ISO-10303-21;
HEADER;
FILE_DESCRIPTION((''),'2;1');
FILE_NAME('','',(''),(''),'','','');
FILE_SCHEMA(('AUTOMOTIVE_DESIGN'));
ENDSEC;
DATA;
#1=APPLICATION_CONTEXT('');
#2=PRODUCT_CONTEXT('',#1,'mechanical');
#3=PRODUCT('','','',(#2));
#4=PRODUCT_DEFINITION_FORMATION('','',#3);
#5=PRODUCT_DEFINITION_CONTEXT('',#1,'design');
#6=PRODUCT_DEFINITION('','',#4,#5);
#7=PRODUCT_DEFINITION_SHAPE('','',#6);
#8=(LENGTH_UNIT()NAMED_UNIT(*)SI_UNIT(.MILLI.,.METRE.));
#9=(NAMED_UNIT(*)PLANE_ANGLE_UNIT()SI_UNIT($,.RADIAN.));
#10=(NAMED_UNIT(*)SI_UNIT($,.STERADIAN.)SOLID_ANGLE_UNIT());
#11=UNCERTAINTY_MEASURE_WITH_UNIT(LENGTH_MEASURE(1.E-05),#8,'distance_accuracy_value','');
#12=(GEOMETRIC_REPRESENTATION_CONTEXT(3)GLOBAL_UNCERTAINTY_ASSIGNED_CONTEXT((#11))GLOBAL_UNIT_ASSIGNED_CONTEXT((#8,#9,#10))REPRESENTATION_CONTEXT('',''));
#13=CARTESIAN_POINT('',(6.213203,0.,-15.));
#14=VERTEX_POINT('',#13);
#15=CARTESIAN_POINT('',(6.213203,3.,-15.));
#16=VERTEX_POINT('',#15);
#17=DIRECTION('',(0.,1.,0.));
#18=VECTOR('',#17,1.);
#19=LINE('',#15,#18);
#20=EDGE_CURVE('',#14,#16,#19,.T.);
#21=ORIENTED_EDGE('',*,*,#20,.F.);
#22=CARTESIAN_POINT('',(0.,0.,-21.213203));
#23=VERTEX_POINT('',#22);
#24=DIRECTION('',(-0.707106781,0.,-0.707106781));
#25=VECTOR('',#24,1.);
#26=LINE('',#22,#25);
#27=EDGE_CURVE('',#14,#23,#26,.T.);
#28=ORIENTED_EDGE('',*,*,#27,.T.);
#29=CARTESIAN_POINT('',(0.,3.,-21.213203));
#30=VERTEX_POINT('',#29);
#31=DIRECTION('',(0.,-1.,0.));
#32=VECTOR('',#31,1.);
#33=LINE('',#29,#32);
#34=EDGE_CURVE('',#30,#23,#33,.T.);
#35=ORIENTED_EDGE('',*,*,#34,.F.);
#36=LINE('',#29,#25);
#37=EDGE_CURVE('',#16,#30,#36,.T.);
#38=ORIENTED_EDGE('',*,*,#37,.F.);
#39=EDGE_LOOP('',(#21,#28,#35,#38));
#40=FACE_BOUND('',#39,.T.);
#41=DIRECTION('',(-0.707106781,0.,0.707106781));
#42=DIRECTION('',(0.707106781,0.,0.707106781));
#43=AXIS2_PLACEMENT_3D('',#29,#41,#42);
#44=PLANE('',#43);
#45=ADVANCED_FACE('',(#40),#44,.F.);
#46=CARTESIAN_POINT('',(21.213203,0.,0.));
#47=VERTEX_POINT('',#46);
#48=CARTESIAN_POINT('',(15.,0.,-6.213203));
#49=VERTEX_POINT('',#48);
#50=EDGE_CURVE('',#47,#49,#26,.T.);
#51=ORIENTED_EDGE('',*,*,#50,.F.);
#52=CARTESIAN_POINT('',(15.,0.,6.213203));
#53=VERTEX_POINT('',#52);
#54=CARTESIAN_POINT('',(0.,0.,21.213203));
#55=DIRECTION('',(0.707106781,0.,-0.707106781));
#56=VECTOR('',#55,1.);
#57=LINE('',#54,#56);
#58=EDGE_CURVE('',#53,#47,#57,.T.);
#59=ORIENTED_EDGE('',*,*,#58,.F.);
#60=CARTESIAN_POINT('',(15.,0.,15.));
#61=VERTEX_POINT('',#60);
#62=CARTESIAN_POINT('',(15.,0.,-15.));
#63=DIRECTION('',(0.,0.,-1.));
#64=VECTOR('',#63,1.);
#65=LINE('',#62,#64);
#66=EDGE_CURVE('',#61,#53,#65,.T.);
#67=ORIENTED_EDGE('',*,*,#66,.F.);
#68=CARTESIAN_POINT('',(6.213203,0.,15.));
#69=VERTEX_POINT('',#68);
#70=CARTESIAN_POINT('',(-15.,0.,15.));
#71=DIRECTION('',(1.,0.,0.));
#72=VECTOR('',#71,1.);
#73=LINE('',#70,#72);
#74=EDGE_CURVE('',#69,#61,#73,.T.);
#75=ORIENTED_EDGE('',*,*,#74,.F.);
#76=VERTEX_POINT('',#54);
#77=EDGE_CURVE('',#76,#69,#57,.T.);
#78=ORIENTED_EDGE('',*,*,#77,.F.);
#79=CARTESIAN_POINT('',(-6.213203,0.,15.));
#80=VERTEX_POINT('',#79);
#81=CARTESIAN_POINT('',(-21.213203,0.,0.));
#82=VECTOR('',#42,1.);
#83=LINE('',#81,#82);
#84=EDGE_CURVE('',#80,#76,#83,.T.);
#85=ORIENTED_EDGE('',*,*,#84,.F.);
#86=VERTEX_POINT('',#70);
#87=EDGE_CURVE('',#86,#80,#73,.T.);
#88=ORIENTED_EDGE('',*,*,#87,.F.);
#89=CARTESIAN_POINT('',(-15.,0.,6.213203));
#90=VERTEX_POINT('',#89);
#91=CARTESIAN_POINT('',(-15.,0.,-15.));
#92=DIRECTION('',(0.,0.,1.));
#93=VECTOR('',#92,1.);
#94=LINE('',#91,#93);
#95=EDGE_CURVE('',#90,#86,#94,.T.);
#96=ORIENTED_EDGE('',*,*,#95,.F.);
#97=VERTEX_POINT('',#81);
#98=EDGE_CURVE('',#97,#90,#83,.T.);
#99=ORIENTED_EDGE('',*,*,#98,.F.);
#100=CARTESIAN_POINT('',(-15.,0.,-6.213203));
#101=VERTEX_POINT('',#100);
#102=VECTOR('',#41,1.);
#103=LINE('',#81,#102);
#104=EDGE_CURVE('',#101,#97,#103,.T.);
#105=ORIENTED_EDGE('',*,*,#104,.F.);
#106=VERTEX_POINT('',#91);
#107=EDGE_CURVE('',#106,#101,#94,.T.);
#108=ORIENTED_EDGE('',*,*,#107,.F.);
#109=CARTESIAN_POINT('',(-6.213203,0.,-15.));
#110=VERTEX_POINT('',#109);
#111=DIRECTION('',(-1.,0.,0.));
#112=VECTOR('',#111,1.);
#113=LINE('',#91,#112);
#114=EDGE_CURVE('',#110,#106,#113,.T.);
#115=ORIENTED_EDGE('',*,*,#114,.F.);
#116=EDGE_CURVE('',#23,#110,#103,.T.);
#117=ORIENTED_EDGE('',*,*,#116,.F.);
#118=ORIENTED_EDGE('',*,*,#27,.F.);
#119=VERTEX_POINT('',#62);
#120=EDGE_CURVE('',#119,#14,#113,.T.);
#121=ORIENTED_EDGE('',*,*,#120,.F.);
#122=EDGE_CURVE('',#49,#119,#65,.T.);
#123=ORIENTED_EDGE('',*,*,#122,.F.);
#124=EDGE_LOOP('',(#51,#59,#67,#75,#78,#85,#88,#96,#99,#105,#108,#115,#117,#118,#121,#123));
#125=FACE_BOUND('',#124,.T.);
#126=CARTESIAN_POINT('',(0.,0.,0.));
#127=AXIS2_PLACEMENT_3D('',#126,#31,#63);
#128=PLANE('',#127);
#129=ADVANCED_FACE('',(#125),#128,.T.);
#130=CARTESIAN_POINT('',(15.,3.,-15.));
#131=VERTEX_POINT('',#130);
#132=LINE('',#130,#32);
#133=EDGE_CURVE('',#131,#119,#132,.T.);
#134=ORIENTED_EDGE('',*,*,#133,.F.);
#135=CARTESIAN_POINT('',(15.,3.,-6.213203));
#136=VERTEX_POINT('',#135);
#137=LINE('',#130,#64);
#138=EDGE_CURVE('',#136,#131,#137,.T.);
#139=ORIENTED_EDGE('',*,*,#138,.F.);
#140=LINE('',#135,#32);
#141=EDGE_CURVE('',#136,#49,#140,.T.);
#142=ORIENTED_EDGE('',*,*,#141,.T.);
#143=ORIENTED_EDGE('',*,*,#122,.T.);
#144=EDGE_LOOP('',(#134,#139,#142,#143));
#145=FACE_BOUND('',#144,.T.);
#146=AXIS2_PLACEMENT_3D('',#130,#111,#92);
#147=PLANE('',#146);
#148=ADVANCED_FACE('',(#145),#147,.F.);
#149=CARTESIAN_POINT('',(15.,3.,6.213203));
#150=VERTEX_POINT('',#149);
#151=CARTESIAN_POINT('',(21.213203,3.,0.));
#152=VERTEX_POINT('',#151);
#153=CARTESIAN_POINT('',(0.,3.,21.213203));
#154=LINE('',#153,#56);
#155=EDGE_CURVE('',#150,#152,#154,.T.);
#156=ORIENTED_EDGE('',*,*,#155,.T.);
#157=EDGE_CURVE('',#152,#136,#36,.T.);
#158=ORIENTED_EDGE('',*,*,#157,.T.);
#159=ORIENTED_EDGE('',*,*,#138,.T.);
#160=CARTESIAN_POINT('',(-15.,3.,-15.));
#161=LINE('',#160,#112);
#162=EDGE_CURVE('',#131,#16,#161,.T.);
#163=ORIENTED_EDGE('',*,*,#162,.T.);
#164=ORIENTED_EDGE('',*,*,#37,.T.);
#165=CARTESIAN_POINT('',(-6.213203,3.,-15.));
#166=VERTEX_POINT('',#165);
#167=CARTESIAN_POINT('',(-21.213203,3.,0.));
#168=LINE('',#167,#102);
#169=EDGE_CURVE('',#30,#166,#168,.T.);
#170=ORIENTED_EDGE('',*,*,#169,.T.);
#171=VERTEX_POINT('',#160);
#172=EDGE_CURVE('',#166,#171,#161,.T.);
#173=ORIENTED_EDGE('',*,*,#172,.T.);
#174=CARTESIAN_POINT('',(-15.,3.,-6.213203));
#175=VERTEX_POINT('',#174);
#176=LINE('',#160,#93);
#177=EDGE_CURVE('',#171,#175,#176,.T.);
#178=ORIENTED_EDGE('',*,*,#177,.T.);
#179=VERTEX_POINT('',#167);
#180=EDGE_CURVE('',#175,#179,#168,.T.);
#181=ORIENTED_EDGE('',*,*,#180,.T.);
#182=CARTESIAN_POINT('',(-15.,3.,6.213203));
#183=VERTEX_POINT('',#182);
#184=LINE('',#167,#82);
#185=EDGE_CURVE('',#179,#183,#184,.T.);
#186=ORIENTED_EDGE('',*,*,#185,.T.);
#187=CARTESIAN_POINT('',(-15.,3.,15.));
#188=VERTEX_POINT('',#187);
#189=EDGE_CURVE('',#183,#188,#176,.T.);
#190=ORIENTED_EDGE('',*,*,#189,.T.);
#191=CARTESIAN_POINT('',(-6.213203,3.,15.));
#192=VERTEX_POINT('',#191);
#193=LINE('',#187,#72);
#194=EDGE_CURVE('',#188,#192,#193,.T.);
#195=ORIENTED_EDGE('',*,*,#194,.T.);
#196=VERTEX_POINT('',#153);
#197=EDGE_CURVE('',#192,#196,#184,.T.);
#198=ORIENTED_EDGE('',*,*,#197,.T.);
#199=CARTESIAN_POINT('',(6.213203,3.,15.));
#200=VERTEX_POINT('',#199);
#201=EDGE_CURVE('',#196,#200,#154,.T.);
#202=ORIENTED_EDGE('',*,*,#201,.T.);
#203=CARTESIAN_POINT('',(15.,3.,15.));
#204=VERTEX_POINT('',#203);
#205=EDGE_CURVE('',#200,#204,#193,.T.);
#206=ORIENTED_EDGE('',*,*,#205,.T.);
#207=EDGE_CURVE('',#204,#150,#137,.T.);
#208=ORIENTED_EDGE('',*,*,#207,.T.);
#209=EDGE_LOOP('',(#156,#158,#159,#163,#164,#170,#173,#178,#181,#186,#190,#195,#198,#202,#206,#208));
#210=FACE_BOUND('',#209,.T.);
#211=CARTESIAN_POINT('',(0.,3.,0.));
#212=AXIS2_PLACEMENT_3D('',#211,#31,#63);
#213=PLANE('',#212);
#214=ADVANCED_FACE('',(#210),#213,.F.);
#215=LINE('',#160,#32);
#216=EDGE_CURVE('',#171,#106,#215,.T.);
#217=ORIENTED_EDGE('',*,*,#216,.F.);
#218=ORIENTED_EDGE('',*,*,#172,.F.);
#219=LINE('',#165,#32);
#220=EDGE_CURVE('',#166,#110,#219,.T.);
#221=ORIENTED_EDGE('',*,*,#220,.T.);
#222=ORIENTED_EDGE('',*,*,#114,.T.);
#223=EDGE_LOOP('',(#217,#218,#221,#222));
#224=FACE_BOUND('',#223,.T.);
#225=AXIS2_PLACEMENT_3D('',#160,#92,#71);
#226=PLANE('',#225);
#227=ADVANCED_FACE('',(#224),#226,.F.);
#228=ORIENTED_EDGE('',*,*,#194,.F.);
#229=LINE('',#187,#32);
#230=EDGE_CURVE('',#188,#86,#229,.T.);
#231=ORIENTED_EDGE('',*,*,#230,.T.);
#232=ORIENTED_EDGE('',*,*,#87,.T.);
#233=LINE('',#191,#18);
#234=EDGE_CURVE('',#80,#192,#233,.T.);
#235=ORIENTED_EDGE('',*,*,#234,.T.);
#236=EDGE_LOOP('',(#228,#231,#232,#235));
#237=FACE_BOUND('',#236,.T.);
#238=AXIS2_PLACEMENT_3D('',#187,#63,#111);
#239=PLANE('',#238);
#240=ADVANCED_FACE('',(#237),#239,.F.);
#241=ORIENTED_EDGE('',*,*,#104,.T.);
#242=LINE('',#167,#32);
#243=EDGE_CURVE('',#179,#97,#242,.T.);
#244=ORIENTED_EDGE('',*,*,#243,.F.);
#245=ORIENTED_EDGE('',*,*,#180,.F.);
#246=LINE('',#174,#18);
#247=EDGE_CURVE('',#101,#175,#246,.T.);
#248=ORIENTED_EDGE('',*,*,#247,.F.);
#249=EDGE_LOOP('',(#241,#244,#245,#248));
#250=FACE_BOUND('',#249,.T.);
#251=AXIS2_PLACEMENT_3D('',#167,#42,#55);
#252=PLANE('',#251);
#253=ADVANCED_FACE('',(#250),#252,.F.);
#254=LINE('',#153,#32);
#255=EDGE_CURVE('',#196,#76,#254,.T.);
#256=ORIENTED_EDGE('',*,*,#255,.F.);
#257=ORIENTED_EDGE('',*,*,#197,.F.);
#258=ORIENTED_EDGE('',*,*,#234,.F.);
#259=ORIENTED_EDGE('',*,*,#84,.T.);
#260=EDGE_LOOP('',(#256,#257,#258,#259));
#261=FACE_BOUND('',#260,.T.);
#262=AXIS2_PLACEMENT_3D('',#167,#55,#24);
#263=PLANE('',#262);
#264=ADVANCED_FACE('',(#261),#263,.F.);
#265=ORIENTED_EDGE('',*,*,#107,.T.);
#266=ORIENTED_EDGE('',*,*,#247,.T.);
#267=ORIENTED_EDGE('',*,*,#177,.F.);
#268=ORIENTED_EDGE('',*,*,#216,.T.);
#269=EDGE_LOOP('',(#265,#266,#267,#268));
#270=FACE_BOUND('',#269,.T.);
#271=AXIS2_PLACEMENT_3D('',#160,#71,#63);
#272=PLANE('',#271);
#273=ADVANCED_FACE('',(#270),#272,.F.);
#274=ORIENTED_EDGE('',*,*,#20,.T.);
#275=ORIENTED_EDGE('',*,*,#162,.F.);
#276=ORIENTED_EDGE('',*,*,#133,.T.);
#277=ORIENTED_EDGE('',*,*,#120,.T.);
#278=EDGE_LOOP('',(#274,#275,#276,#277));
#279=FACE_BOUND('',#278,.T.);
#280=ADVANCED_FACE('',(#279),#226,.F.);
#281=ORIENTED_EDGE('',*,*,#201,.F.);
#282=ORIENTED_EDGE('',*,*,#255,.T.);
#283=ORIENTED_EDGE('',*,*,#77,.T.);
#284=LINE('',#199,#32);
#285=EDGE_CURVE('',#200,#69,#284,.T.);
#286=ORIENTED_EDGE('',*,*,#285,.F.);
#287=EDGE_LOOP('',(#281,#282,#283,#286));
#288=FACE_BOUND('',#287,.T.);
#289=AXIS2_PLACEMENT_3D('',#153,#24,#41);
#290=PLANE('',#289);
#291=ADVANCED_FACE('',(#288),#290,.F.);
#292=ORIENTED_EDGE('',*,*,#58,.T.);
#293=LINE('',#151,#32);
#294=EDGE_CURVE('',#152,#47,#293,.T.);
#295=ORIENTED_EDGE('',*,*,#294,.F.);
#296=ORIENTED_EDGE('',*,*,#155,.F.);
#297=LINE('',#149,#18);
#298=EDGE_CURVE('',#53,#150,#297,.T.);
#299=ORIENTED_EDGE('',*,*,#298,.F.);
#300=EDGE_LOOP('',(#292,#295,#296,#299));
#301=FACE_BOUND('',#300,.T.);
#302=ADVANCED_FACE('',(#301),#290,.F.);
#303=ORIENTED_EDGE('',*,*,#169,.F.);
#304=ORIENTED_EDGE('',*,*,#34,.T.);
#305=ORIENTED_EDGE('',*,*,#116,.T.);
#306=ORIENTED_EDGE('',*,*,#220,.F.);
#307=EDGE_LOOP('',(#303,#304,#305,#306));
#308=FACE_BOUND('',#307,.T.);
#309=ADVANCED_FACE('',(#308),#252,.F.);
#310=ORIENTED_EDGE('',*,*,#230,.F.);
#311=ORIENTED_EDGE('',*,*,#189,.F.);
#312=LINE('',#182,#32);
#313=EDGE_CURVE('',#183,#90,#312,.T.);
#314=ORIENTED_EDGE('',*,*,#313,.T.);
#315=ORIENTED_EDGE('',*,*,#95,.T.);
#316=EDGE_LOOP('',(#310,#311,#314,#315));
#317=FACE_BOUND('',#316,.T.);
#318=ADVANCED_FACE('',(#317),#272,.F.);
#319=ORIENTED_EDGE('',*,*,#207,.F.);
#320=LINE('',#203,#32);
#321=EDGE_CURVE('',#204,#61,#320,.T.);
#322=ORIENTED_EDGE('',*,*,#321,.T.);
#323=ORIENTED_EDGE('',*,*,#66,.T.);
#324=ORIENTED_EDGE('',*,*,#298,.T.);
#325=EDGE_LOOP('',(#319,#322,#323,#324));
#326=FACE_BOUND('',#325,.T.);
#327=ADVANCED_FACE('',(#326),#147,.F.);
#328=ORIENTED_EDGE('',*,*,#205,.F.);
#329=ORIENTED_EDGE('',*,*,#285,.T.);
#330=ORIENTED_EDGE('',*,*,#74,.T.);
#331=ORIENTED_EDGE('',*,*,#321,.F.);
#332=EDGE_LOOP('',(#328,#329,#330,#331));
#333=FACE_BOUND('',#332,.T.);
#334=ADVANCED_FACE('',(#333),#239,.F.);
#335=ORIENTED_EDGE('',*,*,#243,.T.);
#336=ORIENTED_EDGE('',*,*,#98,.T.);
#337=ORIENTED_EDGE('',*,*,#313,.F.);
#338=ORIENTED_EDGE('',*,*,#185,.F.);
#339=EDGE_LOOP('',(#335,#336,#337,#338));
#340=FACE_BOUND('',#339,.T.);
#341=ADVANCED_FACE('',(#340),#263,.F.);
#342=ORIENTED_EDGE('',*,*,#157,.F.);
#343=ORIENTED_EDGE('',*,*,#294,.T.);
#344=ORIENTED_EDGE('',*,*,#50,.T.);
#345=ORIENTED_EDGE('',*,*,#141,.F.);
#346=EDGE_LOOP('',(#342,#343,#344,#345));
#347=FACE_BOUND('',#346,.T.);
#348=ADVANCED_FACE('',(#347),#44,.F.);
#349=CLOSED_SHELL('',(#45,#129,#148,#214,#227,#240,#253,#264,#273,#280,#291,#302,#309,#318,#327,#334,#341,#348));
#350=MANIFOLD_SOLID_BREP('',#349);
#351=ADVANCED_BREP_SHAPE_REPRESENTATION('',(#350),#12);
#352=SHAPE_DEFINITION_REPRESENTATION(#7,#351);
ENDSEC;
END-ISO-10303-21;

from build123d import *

# Parameters (mm, degrees)
EXTRUDE_1_DEPTH = 3
SKETCH_2_W      = 30
SKETCH_2_H      = 30
EXTRUDE_2_DEPTH = 3


with BuildPart() as part:
    # 草图1 → 凸台-拉伸1 (new body)
    with BuildSketch(Plane(origin=(0, 0, 0), x_dir=(1, 0, 0), z_dir=(0, 1, 0))):
        Polygon((-21.213203436, 0), (0, -21.213203436), (21.213203436, 0), (0, 21.213203436), align=None)
    extrude(amount=EXTRUDE_1_DEPTH)

    # 草图2 → 凸台-拉伸2 (add)
    with BuildSketch(Plane(origin=(0, 0, 0), x_dir=(1, 0, 0), z_dir=(0, 1, 0))):
        Rectangle(SKETCH_2_W, SKETCH_2_H)
    extrude(amount=EXTRUDE_2_DEPTH)


solid = part.part
